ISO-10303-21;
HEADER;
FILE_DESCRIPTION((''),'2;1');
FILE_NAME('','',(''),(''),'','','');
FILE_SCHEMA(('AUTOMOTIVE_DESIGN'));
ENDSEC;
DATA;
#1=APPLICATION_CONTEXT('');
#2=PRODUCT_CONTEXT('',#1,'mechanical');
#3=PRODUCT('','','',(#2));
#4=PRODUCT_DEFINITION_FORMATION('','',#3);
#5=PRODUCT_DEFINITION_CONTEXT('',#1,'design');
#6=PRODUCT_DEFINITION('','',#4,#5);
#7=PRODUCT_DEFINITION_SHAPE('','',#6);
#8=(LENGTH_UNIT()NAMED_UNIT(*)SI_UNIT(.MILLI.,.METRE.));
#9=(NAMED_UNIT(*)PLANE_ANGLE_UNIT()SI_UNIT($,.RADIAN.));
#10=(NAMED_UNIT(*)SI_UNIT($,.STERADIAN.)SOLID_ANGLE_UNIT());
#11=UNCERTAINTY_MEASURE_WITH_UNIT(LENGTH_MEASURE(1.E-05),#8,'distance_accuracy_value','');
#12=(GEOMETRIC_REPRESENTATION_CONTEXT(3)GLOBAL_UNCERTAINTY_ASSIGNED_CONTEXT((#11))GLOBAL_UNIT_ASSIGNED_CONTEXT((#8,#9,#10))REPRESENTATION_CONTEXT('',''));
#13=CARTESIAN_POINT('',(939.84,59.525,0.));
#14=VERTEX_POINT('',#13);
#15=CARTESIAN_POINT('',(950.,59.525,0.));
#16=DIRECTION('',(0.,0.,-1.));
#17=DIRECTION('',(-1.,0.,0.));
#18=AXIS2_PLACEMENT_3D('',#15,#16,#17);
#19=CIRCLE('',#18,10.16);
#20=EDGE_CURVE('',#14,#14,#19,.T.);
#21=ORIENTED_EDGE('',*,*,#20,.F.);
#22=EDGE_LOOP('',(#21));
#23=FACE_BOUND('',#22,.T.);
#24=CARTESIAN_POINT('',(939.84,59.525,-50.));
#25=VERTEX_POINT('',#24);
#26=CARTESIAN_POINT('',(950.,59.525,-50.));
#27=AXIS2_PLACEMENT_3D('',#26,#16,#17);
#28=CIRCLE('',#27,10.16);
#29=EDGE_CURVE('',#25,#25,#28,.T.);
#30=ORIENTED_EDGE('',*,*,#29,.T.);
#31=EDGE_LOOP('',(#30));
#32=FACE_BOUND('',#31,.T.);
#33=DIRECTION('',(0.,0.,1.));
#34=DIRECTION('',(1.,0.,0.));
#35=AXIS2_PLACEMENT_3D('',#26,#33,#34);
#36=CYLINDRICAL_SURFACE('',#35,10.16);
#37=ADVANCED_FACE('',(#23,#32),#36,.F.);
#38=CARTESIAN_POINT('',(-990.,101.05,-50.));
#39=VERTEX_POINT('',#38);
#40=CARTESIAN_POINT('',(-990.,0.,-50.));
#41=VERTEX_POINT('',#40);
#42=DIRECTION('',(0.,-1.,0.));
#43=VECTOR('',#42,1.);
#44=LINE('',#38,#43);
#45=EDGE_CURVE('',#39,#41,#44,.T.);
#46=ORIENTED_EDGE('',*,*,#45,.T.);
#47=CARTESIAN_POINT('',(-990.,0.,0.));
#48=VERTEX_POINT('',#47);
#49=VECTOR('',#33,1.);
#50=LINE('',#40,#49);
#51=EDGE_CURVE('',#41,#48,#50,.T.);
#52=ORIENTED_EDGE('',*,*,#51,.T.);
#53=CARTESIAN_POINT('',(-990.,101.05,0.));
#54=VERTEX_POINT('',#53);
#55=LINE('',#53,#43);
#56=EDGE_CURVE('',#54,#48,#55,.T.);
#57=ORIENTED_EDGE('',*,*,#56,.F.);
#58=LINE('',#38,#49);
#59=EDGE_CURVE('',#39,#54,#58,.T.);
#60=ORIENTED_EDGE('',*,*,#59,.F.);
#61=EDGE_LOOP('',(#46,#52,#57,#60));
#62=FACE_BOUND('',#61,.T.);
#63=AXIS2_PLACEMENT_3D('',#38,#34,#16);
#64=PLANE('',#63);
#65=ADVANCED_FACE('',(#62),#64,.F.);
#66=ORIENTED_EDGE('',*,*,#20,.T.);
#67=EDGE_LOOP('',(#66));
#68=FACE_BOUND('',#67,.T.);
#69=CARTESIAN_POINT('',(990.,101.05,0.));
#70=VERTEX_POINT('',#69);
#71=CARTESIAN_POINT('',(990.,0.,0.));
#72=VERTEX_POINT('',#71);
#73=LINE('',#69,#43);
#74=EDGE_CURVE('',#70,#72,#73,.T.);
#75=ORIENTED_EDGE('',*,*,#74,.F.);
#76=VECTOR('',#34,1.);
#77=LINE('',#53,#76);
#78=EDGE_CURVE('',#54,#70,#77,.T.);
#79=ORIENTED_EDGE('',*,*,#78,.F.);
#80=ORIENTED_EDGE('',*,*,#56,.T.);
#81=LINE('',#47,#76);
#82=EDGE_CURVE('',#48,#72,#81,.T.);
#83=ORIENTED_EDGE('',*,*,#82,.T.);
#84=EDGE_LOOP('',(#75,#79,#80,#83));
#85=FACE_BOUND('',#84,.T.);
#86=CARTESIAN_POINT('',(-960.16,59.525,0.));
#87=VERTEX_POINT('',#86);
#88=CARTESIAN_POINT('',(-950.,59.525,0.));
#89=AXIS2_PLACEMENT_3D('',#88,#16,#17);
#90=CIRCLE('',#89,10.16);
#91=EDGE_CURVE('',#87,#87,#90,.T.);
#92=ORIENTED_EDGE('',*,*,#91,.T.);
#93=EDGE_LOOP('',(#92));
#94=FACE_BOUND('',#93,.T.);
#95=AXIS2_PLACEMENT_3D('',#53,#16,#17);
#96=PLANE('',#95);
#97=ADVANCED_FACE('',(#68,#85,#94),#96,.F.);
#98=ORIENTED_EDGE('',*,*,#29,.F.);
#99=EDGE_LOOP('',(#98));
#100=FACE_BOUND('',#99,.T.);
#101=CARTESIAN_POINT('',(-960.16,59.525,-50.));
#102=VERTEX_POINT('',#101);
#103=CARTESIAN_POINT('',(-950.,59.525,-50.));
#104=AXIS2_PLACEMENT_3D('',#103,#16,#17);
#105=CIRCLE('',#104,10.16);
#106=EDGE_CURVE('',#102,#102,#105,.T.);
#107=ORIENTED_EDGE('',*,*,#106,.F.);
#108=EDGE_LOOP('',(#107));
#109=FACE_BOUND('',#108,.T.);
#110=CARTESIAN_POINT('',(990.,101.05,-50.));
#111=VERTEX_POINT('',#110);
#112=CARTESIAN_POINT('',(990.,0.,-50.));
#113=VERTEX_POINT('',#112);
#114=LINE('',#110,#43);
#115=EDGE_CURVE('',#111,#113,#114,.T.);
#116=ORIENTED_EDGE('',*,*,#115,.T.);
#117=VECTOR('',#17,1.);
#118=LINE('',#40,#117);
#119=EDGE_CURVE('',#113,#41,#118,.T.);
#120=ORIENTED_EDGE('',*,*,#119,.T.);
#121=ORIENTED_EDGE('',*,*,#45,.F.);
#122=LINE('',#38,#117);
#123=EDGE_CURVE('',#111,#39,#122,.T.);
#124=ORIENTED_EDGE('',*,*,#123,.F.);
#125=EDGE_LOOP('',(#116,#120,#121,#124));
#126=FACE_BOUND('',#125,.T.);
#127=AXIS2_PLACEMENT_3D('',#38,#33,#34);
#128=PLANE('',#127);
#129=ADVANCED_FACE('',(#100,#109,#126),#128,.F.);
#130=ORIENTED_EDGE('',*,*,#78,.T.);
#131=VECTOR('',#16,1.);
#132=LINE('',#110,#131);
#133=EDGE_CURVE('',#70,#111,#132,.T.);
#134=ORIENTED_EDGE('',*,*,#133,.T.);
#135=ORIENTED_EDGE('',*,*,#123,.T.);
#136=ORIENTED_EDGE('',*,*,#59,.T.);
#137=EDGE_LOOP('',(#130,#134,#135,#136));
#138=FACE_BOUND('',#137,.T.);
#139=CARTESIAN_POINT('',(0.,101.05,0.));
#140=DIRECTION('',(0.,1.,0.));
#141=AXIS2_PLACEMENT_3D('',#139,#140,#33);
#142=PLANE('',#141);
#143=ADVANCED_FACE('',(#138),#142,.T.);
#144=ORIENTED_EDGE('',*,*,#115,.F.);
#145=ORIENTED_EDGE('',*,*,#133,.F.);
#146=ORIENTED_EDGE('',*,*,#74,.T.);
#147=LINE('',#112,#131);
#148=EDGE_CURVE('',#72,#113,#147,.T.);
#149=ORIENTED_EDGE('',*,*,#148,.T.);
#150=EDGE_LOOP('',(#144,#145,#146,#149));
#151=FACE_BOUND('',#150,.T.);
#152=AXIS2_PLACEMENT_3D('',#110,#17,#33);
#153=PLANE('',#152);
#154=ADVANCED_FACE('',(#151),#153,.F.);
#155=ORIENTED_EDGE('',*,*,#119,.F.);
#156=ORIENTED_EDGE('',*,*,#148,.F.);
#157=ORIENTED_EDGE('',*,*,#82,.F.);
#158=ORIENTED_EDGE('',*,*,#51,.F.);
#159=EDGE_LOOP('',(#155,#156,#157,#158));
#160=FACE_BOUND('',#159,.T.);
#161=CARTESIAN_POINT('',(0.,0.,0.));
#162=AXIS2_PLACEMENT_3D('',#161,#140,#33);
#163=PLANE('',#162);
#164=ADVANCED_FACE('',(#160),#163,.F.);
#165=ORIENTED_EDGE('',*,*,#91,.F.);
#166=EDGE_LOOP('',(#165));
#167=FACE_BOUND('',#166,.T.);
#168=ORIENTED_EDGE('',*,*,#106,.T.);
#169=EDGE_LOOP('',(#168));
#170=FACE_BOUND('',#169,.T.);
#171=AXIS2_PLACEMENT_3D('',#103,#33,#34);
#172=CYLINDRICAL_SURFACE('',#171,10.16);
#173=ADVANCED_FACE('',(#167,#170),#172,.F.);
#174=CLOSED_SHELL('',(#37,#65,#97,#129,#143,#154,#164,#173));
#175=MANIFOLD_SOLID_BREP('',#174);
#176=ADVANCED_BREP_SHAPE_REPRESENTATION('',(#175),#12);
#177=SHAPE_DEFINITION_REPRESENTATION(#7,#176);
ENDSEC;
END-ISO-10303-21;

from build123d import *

# Parameters (mm, degrees)
SKETCH1_W           = 1980
SKETCH1_H           = 50
BOSS_EXTRUDE1_DEPTH = 101.05
SKETCH2_R           = 10.16
CUT_EXTRUDE1_DEPTH  = 997.399067894


with BuildPart() as part:
    # Sketch1 → Boss-Extrude1 (new body)
    with BuildSketch(Plane(origin=(0, 0, 0), x_dir=(1, 0, 0), z_dir=(0, 1, 0))):
        with Locations((0, 25)):
            Rectangle(SKETCH1_W, SKETCH1_H)
    extrude(amount=BOSS_EXTRUDE1_DEPTH)

    # Sketch2 → Cut-Extrude1 (cut, through all)
    with BuildSketch(Plane.XY):
        with Locations(Location((-950, 59.525, 0), (0, 0, 180))):
            Circle(SKETCH2_R)
        with Locations(Location((950, 59.525, 0), (0, 0, 180))):
            Circle(SKETCH2_R)
    extrude(amount=-CUT_EXTRUDE1_DEPTH, mode=Mode.SUBTRACT)


solid = part.part
